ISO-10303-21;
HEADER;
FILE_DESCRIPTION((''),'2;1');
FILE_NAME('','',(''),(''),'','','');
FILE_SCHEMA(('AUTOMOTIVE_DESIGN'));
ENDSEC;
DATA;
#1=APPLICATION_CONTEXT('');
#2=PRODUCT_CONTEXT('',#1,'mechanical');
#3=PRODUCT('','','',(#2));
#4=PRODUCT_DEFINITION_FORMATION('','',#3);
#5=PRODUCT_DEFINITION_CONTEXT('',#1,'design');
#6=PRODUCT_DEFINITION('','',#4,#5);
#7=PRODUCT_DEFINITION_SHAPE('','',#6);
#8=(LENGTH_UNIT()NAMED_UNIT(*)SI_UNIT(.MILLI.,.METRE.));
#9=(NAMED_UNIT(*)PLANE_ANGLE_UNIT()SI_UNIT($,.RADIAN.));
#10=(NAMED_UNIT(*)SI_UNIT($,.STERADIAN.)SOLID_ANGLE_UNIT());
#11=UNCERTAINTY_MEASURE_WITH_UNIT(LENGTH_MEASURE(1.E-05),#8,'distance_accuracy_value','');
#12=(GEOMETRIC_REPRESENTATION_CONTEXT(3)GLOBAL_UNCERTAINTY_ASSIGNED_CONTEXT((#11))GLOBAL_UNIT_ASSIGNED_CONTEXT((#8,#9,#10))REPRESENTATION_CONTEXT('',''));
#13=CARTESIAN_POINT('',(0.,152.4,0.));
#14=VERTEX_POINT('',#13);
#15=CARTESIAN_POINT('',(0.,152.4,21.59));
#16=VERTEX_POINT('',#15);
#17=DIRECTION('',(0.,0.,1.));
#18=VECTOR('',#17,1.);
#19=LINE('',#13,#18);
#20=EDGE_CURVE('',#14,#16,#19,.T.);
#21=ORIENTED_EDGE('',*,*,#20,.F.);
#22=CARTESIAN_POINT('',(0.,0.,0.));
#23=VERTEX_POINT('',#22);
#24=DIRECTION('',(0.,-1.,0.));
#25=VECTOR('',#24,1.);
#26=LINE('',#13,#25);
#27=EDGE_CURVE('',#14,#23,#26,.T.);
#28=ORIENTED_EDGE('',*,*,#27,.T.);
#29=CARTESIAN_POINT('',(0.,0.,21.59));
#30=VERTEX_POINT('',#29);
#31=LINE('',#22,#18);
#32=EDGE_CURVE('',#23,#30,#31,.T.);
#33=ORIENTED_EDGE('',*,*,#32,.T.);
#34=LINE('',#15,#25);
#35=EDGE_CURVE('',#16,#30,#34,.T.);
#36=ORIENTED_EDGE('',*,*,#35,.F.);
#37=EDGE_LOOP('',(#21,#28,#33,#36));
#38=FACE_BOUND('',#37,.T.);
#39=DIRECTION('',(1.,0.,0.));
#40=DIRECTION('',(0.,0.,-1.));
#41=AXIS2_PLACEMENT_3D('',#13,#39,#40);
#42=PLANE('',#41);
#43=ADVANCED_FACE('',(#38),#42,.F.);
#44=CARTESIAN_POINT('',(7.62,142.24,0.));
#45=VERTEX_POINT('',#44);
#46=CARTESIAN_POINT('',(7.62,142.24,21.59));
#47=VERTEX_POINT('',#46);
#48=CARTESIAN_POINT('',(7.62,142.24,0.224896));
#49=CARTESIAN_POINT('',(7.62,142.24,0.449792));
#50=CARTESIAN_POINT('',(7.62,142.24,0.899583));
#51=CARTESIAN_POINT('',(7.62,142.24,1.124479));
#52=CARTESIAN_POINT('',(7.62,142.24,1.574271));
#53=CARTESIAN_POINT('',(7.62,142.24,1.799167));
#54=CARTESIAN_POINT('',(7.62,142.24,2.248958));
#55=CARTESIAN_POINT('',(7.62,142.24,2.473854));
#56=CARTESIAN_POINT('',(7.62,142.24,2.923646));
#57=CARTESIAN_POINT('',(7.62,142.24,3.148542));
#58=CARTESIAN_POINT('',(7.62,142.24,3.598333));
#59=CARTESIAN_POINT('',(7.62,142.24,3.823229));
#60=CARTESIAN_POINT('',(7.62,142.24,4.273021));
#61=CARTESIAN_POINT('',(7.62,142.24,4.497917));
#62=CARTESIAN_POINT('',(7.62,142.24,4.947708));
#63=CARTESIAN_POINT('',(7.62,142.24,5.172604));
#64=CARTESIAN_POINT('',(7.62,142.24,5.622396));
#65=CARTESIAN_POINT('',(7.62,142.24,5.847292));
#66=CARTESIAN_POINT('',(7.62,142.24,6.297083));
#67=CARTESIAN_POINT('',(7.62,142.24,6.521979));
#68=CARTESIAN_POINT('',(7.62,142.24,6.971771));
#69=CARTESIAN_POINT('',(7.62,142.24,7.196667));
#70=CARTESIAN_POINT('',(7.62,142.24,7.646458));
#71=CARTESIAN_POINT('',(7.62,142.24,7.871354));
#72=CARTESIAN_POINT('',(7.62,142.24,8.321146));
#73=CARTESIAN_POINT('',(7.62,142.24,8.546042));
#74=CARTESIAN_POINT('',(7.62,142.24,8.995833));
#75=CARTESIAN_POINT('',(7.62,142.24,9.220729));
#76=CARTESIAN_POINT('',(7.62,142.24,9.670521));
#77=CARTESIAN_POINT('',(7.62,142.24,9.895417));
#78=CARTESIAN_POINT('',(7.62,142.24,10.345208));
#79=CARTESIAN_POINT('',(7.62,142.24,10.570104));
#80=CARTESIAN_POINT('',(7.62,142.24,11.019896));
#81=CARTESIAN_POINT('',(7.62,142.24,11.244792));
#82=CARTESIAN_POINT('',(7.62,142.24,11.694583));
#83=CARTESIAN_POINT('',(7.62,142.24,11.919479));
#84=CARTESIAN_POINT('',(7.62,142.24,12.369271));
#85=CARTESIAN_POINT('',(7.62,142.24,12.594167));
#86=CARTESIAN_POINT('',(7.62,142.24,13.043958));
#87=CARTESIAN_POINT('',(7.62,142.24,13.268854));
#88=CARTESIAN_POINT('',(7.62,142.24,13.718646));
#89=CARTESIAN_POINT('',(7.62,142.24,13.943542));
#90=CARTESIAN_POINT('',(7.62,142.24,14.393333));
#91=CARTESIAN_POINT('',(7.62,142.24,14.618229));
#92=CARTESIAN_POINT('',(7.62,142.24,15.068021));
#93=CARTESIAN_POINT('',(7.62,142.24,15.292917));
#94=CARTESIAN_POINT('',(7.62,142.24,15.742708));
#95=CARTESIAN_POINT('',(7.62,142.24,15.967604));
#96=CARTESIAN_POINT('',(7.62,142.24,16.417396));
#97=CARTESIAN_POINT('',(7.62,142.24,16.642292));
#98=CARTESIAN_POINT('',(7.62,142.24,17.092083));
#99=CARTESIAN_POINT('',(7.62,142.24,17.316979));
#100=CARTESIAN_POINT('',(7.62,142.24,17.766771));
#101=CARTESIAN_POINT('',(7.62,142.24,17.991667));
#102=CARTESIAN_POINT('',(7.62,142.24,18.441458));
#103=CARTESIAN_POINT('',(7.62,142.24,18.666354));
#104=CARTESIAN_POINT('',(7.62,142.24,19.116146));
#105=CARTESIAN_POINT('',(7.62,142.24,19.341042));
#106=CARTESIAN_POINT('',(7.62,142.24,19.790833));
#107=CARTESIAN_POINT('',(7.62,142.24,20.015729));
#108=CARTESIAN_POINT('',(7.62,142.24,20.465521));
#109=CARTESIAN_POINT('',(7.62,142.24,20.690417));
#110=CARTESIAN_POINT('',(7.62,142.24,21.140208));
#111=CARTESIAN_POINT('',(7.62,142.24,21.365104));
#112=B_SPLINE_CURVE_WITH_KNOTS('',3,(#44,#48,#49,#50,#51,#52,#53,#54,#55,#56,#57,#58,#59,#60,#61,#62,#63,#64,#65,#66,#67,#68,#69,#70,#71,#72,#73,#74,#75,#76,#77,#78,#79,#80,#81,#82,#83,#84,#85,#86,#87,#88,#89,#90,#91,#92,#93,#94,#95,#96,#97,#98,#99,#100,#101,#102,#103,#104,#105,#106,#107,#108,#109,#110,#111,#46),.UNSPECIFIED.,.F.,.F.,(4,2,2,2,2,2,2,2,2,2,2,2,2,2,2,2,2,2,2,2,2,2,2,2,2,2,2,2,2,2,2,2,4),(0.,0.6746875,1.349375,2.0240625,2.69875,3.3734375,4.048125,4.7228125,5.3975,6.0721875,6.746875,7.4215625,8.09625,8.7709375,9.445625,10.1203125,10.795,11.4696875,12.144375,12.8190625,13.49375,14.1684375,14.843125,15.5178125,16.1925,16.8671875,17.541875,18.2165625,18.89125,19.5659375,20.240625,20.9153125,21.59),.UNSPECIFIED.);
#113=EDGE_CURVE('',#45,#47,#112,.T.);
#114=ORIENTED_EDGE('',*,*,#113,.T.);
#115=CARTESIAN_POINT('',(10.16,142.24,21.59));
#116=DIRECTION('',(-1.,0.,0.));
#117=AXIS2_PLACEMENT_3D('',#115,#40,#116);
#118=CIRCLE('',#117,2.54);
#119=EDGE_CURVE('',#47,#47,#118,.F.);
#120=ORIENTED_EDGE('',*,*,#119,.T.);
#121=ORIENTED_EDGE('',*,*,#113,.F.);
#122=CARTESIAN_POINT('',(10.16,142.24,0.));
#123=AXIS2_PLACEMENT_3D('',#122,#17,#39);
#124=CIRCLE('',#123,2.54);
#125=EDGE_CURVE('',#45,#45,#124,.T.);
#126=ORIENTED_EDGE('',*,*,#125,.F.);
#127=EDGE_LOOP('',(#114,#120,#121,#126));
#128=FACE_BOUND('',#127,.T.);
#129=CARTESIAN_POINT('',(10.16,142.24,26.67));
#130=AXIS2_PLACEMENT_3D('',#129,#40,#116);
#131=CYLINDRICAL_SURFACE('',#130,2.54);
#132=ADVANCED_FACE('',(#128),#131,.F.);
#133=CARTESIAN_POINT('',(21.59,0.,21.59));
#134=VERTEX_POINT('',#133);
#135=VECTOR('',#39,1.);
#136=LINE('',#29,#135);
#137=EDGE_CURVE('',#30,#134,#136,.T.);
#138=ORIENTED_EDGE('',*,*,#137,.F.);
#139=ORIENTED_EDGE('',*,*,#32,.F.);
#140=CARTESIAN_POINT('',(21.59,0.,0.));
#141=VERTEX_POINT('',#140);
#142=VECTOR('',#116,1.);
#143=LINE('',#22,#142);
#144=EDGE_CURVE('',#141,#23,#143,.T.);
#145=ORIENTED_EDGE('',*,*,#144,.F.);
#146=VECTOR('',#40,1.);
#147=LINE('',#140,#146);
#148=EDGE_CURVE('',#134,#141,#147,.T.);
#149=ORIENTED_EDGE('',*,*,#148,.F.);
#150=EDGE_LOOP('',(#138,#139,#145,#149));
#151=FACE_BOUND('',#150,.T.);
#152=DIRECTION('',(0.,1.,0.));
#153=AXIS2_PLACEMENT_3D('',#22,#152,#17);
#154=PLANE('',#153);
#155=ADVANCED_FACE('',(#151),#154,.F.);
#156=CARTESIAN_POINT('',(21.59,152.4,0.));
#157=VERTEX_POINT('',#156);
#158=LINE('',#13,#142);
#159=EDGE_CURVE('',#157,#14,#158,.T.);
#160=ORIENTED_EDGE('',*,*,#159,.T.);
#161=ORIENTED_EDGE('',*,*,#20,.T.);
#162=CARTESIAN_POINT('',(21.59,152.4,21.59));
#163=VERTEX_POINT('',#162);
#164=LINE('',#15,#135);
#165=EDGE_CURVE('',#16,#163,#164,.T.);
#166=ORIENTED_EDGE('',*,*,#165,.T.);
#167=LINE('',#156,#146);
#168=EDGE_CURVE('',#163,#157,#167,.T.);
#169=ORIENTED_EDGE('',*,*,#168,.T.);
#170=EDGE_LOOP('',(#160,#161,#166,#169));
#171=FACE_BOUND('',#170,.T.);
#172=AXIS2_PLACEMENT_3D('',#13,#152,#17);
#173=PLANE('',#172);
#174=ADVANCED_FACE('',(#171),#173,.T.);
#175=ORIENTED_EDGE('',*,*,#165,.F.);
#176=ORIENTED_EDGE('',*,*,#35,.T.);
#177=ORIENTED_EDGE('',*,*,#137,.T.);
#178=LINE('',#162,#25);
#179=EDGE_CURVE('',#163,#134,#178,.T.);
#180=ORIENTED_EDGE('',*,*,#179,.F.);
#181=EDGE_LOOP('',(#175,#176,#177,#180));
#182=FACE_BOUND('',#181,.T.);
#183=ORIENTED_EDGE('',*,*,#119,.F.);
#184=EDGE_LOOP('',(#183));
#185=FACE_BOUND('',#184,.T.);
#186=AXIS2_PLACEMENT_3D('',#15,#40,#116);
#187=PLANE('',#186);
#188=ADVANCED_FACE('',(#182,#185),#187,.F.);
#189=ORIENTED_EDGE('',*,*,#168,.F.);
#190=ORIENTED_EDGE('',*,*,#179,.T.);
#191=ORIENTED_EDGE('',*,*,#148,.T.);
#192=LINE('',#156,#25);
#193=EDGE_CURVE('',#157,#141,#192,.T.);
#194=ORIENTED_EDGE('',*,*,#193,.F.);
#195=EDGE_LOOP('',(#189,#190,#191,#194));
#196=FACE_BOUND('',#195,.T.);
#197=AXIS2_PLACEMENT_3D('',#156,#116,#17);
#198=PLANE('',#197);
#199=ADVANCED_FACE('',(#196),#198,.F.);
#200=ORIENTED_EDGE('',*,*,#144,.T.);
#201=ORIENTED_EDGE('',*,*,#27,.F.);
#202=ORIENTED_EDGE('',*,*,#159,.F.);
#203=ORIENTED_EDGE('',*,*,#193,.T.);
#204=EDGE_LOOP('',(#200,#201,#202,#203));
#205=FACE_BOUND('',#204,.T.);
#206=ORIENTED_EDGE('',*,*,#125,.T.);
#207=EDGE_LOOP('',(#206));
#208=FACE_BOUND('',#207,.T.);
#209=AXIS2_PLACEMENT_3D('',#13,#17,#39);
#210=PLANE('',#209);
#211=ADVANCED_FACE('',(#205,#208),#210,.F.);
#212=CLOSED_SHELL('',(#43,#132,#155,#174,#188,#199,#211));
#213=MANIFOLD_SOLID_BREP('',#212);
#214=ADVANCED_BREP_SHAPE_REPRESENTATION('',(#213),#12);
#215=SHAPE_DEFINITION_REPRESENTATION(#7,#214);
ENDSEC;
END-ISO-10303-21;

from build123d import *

# Parameters (mm, degrees)
SKETCH1_W           = 21.59
SKETCH1_H           = 21.59
BOSS_EXTRUDE1_DEPTH = 152.4
SKETCH2_R           = 2.54
CUT_EXTRUDE1_DEPTH  = 26.67


with BuildPart() as part:
    # Sketch1 → Boss-Extrude1 (new body)
    with BuildSketch(Plane(origin=(0, 0, 0), x_dir=(1, 0, 0), z_dir=(0, 1, 0))):
        with Locations((10.795, -10.795)):
            Rectangle(SKETCH1_W, SKETCH1_H)
    extrude(amount=BOSS_EXTRUDE1_DEPTH)

    # Sketch2 → Cut-Extrude1 (cut)
    with BuildSketch(Plane.XY):
        with Locations(Location((10.16, 142.24, 0), (0, 0, 180))):
            Circle(SKETCH2_R)
    extrude(amount=CUT_EXTRUDE1_DEPTH, mode=Mode.SUBTRACT)


solid = part.part
